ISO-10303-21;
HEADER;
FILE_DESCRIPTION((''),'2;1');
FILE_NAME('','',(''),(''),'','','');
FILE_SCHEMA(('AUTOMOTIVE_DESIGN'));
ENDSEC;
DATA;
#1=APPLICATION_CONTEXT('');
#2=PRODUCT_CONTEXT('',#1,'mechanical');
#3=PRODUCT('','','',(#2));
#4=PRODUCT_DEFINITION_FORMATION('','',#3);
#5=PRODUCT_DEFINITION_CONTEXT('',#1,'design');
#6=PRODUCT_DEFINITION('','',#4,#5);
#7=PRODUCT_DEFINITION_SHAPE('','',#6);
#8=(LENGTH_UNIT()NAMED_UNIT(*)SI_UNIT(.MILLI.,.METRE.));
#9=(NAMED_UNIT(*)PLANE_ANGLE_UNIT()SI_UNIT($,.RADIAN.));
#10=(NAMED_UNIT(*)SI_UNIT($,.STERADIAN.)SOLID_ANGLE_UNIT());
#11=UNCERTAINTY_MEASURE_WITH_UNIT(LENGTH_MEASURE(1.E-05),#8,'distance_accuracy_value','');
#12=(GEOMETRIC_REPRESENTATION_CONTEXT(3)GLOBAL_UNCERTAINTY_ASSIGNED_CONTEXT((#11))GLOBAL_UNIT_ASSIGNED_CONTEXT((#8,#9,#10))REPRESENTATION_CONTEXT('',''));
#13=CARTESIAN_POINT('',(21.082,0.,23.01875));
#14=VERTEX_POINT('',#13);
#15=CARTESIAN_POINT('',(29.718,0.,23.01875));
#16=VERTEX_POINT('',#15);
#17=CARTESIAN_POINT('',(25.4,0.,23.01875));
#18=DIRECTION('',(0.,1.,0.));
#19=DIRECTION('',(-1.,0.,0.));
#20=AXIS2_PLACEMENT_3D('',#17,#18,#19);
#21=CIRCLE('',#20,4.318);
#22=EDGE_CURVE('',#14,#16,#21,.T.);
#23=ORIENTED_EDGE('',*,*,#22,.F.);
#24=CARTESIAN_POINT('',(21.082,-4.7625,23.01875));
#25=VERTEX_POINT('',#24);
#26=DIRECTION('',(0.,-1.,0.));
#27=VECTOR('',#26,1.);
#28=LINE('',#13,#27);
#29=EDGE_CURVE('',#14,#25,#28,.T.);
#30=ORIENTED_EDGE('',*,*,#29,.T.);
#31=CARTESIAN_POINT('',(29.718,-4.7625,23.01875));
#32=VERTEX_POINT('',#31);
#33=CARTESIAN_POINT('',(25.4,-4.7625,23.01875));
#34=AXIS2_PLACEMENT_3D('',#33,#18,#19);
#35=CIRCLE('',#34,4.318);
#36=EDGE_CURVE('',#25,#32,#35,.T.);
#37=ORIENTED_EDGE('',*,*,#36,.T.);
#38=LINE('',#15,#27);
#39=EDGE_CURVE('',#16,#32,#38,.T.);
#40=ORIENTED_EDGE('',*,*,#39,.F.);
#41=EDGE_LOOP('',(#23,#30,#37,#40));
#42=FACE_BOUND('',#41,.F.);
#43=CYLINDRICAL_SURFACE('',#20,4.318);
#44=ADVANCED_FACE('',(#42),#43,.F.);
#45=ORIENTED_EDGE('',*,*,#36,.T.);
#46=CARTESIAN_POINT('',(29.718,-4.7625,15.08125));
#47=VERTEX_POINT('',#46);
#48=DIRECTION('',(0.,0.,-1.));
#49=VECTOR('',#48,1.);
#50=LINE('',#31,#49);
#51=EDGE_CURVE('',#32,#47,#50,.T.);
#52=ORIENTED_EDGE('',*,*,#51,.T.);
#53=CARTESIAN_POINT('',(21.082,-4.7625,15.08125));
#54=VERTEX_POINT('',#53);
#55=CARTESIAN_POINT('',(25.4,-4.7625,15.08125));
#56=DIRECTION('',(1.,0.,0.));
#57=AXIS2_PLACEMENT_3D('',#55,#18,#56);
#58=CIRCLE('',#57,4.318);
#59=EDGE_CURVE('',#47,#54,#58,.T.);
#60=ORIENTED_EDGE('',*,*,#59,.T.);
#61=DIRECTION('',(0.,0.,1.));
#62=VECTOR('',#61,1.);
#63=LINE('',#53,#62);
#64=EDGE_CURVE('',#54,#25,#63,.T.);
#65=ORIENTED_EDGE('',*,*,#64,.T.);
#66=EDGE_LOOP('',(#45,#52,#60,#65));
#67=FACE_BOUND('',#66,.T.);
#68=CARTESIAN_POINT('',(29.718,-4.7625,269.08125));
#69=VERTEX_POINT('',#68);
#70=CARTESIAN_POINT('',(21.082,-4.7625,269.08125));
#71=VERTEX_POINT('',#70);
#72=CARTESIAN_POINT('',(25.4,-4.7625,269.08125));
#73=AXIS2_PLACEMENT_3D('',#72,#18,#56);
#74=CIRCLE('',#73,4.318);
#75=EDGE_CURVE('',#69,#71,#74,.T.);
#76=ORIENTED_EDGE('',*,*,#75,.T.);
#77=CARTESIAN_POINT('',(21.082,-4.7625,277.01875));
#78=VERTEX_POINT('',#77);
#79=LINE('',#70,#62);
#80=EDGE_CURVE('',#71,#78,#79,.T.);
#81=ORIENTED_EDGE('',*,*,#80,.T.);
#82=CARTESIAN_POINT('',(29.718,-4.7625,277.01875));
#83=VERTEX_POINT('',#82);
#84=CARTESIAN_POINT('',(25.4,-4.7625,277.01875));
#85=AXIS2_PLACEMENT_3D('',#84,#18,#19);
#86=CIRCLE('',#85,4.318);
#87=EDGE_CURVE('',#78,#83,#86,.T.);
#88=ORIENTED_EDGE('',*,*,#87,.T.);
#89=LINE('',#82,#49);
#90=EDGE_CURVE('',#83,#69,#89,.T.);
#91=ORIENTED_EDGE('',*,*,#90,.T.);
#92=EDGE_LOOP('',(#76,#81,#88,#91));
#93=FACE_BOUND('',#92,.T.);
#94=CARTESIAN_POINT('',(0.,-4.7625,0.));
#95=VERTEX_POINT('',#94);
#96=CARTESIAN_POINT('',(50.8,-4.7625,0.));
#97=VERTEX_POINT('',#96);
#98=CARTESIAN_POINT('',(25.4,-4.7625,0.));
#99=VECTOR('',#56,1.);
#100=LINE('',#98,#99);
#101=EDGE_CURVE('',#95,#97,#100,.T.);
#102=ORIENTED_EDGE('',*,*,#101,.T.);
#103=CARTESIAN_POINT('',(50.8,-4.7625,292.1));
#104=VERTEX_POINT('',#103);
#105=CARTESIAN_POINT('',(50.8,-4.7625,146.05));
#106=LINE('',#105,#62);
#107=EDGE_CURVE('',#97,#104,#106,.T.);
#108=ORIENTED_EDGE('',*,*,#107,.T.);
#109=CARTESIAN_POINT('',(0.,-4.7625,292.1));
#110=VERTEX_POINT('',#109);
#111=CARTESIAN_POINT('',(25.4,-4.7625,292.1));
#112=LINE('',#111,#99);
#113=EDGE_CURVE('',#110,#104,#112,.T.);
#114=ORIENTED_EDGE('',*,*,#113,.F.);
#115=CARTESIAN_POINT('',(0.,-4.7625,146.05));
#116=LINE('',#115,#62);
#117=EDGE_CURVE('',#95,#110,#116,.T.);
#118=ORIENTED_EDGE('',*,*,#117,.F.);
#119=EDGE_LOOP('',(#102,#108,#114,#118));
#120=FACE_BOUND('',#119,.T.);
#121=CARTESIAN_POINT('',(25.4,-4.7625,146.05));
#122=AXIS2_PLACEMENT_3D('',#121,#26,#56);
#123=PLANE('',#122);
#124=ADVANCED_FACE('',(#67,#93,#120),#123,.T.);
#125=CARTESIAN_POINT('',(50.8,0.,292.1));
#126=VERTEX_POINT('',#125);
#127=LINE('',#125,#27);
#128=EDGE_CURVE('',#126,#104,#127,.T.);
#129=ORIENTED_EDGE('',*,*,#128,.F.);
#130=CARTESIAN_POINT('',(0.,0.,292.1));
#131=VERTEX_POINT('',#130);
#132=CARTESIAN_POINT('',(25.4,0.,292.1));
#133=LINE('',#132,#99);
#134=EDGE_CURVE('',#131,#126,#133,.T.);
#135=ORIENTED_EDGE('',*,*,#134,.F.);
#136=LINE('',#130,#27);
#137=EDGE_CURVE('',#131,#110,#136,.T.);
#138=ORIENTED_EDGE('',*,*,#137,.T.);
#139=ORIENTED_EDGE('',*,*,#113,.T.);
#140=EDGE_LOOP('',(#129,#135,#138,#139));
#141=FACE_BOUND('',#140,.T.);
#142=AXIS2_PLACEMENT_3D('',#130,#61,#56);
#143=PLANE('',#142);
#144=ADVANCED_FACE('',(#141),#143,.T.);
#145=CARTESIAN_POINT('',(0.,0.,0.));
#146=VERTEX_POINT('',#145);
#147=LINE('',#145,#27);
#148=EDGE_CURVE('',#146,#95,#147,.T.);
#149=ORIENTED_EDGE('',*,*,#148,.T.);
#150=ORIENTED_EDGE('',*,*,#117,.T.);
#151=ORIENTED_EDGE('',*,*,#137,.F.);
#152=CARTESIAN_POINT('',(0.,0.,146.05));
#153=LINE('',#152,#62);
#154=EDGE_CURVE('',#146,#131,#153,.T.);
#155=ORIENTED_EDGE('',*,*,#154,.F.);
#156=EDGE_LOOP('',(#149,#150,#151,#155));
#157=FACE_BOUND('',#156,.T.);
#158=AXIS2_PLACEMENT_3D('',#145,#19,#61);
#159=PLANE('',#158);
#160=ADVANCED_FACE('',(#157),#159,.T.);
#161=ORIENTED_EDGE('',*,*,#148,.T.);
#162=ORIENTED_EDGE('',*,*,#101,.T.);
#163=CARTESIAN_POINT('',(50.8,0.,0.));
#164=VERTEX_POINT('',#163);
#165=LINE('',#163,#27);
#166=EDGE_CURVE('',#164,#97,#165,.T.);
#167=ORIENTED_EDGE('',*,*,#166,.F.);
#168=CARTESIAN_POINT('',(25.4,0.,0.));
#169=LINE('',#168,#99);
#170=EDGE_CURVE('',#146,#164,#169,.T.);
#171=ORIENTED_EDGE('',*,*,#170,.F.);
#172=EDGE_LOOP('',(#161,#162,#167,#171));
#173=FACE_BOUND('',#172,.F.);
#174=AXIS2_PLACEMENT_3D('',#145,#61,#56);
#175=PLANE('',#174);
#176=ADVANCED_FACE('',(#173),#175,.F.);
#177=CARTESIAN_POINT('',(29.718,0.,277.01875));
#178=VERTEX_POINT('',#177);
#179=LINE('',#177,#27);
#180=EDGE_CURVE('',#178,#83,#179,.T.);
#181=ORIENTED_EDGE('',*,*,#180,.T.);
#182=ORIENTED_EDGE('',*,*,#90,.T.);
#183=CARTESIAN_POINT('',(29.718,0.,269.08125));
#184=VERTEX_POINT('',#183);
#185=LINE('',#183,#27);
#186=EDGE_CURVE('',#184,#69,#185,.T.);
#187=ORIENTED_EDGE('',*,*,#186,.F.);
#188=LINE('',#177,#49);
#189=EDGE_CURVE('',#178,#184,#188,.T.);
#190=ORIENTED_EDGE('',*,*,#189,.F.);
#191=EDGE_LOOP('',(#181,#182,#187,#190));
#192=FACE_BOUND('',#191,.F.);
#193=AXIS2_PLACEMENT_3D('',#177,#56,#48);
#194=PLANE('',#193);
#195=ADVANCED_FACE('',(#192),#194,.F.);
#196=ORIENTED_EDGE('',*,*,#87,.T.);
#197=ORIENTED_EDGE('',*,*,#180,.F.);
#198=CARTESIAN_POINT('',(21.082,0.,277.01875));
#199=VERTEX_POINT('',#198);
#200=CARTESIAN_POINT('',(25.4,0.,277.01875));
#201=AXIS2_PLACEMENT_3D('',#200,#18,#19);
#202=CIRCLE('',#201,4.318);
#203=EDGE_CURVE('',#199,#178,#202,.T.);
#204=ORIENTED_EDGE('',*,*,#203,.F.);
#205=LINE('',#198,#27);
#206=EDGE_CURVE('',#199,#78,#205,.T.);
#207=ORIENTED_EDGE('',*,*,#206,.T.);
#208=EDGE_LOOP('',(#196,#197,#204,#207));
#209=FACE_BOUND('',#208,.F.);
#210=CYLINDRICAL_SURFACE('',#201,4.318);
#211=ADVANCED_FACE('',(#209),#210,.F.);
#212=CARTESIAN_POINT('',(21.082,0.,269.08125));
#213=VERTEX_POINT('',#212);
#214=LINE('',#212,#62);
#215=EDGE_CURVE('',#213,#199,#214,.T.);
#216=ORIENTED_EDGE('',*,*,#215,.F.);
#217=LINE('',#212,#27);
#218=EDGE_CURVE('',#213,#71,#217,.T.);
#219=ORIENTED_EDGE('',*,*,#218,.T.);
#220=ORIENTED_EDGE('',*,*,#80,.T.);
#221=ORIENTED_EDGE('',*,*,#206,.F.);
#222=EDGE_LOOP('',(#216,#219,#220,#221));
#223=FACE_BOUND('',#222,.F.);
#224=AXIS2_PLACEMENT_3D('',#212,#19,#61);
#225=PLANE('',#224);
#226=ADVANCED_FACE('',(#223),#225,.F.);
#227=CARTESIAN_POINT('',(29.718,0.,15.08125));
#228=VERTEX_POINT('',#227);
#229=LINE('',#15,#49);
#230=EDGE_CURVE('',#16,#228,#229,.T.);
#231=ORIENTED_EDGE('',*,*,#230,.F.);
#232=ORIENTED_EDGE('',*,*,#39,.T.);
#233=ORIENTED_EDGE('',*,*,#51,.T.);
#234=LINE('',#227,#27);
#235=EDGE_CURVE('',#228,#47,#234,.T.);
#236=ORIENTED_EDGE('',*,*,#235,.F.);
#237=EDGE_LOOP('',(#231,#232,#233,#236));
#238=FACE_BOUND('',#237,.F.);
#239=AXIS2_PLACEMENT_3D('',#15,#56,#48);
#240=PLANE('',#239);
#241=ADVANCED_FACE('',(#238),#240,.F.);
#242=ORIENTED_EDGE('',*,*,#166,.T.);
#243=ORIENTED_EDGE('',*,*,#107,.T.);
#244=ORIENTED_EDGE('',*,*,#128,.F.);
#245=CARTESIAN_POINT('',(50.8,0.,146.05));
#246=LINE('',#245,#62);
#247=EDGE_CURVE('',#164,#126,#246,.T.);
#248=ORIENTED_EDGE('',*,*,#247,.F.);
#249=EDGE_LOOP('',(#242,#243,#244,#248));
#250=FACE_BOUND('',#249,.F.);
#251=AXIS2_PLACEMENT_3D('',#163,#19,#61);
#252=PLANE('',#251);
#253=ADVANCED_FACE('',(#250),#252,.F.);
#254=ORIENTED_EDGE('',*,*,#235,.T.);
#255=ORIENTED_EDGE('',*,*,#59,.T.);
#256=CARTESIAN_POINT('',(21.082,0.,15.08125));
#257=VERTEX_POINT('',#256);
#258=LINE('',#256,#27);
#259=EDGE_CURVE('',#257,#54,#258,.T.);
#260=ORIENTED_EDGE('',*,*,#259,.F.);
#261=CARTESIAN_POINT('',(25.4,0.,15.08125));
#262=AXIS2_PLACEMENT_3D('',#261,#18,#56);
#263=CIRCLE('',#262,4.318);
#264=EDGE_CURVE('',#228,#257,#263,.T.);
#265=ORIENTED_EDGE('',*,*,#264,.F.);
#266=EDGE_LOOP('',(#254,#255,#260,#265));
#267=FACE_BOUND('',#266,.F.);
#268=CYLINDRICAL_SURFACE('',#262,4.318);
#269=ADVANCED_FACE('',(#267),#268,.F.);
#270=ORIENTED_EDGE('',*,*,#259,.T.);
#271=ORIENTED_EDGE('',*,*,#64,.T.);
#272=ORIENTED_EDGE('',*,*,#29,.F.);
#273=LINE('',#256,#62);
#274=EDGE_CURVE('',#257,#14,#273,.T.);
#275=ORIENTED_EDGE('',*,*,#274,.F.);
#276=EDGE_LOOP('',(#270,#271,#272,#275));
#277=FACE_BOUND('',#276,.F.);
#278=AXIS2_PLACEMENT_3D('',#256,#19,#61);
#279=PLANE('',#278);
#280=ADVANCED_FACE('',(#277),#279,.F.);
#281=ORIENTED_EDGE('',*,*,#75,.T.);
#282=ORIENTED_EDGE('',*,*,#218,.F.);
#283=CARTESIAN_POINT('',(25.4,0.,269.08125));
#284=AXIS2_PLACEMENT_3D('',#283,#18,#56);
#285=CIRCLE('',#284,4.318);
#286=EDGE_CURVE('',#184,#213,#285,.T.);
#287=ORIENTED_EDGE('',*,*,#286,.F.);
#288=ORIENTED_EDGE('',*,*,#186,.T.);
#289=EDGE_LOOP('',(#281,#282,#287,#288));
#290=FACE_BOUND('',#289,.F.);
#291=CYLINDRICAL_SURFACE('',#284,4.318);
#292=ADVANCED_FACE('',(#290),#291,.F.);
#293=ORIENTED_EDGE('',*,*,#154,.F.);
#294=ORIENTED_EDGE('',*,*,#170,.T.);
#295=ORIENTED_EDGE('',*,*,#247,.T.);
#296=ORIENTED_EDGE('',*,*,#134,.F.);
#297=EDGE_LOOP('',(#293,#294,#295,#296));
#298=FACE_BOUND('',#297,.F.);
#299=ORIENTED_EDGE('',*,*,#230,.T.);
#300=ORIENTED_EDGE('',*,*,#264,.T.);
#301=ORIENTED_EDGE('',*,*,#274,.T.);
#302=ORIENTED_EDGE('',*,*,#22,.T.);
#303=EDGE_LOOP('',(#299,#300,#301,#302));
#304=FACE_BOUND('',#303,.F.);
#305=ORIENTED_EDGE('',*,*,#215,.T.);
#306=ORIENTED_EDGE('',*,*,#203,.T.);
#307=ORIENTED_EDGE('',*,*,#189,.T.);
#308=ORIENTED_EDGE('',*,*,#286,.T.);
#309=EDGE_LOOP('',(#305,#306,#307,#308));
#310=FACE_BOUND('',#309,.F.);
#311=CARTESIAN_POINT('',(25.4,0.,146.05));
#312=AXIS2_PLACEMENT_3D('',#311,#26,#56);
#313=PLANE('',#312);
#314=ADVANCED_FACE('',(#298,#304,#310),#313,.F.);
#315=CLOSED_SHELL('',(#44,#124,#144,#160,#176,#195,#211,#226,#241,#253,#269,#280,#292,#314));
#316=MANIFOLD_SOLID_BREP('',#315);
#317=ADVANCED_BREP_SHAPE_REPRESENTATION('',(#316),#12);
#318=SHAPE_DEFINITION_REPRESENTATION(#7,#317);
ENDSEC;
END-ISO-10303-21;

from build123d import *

# Parameters (mm, degrees)
F0_W     = 50.8
F0_H     = 292.1
F1_DEPTH = 4.7625


with BuildPart() as f1:
    # F0 (on Front) → F1 (new body)
    with BuildSketch(Plane.XZ):
        with Locations((25.4, 146.05)):
            Rectangle(F0_W, F0_H)
        with BuildLine():
            ThreePointArc((29.718, 15.08125), (25.4, 10.76325), (21.082, 15.08125))
            Line((21.082, 15.08125), (21.082, 23.01875))
            ThreePointArc((21.082, 23.01875), (25.4, 27.33675), (29.718, 23.01875))
            Line((29.718, 23.01875), (29.718, 15.08125))
        make_face(mode=Mode.SUBTRACT)
        with BuildLine():
            ThreePointArc((29.718, 269.08125), (25.4, 264.76325), (21.082, 269.08125))
            Line((21.082, 269.08125), (21.082, 277.01875))
            ThreePointArc((21.082, 277.01875), (25.4, 281.33675), (29.718, 277.01875))
            Line((29.718, 277.01875), (29.718, 269.08125))
        make_face(mode=Mode.SUBTRACT)
    extrude(amount=F1_DEPTH)


solid = f1.part
